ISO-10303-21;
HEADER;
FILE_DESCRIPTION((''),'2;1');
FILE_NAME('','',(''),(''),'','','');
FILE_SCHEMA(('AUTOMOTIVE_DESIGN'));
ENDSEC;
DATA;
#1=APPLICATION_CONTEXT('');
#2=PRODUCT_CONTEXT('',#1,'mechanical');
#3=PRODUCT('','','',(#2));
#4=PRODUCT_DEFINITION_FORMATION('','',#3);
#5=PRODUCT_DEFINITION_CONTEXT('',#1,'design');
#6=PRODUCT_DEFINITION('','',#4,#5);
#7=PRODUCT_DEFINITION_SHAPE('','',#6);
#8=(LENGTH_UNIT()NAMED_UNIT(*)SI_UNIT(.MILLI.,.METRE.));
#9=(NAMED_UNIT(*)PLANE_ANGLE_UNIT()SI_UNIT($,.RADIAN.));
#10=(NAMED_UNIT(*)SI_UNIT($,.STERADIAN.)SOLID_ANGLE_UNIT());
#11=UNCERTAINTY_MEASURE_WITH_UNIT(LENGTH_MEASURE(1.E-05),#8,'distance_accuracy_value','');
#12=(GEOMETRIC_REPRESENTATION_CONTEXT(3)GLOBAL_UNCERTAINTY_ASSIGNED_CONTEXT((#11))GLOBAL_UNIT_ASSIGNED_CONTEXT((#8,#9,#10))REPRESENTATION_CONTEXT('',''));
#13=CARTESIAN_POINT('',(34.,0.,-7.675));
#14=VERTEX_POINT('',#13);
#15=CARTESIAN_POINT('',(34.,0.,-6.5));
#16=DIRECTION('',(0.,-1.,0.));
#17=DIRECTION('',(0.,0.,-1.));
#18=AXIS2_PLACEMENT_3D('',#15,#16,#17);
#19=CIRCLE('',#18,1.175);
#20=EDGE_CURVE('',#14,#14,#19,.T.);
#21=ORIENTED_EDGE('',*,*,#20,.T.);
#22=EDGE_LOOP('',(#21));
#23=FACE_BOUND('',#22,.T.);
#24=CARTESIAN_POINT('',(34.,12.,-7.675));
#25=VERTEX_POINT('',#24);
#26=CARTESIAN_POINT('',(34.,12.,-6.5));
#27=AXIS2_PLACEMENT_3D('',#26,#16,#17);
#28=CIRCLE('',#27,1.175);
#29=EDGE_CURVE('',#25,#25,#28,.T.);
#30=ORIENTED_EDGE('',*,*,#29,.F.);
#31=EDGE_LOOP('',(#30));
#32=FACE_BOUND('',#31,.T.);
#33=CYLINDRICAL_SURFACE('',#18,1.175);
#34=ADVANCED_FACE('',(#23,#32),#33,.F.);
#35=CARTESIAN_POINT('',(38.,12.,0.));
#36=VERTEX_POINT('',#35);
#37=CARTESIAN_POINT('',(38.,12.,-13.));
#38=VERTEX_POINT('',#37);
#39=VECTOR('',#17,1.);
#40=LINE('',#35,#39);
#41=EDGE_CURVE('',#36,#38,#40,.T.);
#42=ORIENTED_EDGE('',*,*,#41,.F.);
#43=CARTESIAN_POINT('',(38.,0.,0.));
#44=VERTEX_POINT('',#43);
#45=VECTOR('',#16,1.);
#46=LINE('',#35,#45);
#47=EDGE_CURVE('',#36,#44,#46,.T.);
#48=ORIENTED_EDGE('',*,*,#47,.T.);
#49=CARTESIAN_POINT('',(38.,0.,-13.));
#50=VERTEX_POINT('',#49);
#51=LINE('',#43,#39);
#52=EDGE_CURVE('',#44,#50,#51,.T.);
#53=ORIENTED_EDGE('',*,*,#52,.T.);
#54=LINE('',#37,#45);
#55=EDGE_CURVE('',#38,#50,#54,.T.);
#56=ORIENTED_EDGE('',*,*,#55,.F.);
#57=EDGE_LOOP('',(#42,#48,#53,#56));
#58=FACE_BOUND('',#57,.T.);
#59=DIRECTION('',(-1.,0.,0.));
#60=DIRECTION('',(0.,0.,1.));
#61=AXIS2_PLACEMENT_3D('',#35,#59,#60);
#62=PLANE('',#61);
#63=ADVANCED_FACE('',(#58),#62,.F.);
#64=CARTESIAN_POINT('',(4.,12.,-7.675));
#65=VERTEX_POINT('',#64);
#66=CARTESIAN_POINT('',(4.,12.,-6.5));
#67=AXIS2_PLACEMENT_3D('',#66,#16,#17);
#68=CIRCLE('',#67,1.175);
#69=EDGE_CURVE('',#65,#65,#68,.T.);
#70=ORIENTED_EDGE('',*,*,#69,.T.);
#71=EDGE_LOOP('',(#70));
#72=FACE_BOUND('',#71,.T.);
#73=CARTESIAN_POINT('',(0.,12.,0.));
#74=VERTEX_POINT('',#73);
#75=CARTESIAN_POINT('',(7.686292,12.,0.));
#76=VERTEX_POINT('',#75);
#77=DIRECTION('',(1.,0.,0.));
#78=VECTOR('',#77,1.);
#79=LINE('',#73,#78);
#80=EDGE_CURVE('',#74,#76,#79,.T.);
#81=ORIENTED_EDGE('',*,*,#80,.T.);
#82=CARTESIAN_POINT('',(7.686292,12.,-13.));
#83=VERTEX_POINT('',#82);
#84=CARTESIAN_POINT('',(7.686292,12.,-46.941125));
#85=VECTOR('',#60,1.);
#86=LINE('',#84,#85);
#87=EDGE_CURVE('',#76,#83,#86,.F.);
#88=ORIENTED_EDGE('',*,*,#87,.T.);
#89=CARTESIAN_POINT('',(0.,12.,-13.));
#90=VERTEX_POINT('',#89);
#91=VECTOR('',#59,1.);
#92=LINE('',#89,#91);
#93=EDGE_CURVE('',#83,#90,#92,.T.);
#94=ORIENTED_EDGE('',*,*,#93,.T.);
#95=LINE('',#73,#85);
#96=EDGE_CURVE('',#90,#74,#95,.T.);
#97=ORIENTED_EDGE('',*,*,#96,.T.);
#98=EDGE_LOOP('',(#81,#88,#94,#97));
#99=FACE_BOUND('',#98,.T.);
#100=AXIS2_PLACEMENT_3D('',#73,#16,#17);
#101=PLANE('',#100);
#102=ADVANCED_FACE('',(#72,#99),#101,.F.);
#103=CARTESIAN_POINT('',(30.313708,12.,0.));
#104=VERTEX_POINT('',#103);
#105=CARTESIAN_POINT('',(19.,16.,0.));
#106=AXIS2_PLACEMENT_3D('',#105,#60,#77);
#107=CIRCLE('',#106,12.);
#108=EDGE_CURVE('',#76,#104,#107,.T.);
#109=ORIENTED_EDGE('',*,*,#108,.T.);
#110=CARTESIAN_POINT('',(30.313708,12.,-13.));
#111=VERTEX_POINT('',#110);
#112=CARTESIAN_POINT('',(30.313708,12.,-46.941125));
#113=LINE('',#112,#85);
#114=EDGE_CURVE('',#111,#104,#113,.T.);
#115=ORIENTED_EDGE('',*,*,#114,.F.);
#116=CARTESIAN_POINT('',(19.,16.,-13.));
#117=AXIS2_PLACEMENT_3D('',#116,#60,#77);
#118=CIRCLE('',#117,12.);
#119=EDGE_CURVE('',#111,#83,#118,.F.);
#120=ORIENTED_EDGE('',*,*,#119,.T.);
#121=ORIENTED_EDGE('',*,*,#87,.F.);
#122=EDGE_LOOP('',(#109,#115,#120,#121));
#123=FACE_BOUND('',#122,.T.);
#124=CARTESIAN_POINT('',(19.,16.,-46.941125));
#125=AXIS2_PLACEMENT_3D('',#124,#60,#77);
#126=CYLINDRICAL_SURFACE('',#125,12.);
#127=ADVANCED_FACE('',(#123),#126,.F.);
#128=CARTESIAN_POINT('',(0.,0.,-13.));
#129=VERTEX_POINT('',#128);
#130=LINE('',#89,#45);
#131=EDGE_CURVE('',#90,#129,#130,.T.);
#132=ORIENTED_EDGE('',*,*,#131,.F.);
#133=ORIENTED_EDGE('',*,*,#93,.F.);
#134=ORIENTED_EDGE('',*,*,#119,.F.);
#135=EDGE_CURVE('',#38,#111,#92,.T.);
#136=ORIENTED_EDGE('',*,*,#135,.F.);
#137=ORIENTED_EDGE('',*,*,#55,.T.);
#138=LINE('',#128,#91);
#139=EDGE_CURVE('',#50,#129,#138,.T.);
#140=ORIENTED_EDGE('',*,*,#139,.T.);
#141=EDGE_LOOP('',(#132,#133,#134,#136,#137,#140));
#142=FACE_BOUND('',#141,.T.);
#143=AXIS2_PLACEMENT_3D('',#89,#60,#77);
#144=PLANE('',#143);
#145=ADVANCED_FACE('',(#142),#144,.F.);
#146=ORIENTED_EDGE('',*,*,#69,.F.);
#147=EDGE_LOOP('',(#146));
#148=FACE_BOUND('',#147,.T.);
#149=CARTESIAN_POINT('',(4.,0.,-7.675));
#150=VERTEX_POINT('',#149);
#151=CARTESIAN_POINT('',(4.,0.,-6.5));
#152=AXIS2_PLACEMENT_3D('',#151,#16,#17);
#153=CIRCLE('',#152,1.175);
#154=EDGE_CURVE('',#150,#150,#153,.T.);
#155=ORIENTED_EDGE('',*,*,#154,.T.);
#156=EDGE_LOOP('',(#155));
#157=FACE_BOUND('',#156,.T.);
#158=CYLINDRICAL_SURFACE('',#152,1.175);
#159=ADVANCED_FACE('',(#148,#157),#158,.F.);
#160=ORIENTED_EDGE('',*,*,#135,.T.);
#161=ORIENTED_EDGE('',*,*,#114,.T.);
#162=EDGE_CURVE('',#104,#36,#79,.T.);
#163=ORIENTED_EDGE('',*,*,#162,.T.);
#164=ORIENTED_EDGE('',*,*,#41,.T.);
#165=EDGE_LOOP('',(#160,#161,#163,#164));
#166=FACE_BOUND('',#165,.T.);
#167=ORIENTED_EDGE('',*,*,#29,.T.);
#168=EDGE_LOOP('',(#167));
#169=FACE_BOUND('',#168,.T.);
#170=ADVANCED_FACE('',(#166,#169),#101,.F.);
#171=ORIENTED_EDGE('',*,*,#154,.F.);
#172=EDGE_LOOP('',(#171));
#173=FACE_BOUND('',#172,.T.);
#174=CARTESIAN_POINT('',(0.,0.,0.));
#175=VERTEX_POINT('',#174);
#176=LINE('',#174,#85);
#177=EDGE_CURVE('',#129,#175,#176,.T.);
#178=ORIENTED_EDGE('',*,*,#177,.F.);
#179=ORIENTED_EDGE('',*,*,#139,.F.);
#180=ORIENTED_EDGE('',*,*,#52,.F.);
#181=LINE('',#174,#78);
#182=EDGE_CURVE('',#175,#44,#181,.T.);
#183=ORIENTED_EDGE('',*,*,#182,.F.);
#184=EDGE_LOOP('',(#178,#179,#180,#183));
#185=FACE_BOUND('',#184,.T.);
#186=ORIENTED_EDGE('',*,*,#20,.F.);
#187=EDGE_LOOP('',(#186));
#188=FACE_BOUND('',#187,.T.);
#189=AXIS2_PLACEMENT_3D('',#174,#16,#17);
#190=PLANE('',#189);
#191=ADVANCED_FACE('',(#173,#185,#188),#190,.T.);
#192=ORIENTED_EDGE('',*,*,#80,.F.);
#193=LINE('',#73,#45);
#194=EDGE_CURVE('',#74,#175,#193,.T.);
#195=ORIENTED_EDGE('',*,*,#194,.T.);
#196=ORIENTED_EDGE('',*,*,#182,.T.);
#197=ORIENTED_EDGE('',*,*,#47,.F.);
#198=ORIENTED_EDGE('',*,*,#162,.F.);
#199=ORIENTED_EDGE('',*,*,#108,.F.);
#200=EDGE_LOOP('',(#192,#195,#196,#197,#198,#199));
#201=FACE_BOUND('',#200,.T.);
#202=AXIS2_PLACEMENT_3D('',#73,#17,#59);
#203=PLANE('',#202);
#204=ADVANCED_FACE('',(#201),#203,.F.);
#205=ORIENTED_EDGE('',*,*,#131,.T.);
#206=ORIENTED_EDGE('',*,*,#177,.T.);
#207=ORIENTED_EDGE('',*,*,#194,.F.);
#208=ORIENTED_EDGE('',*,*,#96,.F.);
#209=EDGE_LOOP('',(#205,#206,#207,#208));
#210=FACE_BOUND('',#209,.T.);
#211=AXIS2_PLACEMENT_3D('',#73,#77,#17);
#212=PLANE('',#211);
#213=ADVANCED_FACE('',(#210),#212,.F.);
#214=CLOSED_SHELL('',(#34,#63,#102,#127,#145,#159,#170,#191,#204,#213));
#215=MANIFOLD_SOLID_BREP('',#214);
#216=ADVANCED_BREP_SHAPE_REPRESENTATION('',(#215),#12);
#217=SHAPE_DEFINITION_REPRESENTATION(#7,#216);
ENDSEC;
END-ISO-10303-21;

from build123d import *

# Parameters (mm, degrees)
SKETCH1_W           = 38
SKETCH1_H           = 13
BOSS_EXTRUDE1_DEPTH = 12
SKETCH2_R           = 12
CUT_EXTRUDE1_DEPTH  = 13
HOLE1_D             = 2.35


with BuildPart() as part:
    # Sketch1 → Boss-Extrude1 (new body)
    with BuildSketch(Plane(origin=(0, 0, 0), x_dir=(1, 0, 0), z_dir=(0, 1, 0))):
        with Locations((19, 6.5)):
            Rectangle(SKETCH1_W, SKETCH1_H)
    extrude(amount=BOSS_EXTRUDE1_DEPTH)

    # Sketch2 → Cut-Extrude1 (cut)
    with BuildSketch(Plane.XY):
        with Locations((19, 16)):
            Circle(SKETCH2_R)
    extrude(amount=-CUT_EXTRUDE1_DEPTH, mode=Mode.SUBTRACT)

    # Hole1 (through all)
    with Locations(Plane(origin=(0, 0, 0), x_dir=(-1, 0, 0), z_dir=(0, -1, 0))):
        with Locations((-34, 6.5), (-4, 6.5)):
            Hole(HOLE1_D / 2)


solid = part.part
